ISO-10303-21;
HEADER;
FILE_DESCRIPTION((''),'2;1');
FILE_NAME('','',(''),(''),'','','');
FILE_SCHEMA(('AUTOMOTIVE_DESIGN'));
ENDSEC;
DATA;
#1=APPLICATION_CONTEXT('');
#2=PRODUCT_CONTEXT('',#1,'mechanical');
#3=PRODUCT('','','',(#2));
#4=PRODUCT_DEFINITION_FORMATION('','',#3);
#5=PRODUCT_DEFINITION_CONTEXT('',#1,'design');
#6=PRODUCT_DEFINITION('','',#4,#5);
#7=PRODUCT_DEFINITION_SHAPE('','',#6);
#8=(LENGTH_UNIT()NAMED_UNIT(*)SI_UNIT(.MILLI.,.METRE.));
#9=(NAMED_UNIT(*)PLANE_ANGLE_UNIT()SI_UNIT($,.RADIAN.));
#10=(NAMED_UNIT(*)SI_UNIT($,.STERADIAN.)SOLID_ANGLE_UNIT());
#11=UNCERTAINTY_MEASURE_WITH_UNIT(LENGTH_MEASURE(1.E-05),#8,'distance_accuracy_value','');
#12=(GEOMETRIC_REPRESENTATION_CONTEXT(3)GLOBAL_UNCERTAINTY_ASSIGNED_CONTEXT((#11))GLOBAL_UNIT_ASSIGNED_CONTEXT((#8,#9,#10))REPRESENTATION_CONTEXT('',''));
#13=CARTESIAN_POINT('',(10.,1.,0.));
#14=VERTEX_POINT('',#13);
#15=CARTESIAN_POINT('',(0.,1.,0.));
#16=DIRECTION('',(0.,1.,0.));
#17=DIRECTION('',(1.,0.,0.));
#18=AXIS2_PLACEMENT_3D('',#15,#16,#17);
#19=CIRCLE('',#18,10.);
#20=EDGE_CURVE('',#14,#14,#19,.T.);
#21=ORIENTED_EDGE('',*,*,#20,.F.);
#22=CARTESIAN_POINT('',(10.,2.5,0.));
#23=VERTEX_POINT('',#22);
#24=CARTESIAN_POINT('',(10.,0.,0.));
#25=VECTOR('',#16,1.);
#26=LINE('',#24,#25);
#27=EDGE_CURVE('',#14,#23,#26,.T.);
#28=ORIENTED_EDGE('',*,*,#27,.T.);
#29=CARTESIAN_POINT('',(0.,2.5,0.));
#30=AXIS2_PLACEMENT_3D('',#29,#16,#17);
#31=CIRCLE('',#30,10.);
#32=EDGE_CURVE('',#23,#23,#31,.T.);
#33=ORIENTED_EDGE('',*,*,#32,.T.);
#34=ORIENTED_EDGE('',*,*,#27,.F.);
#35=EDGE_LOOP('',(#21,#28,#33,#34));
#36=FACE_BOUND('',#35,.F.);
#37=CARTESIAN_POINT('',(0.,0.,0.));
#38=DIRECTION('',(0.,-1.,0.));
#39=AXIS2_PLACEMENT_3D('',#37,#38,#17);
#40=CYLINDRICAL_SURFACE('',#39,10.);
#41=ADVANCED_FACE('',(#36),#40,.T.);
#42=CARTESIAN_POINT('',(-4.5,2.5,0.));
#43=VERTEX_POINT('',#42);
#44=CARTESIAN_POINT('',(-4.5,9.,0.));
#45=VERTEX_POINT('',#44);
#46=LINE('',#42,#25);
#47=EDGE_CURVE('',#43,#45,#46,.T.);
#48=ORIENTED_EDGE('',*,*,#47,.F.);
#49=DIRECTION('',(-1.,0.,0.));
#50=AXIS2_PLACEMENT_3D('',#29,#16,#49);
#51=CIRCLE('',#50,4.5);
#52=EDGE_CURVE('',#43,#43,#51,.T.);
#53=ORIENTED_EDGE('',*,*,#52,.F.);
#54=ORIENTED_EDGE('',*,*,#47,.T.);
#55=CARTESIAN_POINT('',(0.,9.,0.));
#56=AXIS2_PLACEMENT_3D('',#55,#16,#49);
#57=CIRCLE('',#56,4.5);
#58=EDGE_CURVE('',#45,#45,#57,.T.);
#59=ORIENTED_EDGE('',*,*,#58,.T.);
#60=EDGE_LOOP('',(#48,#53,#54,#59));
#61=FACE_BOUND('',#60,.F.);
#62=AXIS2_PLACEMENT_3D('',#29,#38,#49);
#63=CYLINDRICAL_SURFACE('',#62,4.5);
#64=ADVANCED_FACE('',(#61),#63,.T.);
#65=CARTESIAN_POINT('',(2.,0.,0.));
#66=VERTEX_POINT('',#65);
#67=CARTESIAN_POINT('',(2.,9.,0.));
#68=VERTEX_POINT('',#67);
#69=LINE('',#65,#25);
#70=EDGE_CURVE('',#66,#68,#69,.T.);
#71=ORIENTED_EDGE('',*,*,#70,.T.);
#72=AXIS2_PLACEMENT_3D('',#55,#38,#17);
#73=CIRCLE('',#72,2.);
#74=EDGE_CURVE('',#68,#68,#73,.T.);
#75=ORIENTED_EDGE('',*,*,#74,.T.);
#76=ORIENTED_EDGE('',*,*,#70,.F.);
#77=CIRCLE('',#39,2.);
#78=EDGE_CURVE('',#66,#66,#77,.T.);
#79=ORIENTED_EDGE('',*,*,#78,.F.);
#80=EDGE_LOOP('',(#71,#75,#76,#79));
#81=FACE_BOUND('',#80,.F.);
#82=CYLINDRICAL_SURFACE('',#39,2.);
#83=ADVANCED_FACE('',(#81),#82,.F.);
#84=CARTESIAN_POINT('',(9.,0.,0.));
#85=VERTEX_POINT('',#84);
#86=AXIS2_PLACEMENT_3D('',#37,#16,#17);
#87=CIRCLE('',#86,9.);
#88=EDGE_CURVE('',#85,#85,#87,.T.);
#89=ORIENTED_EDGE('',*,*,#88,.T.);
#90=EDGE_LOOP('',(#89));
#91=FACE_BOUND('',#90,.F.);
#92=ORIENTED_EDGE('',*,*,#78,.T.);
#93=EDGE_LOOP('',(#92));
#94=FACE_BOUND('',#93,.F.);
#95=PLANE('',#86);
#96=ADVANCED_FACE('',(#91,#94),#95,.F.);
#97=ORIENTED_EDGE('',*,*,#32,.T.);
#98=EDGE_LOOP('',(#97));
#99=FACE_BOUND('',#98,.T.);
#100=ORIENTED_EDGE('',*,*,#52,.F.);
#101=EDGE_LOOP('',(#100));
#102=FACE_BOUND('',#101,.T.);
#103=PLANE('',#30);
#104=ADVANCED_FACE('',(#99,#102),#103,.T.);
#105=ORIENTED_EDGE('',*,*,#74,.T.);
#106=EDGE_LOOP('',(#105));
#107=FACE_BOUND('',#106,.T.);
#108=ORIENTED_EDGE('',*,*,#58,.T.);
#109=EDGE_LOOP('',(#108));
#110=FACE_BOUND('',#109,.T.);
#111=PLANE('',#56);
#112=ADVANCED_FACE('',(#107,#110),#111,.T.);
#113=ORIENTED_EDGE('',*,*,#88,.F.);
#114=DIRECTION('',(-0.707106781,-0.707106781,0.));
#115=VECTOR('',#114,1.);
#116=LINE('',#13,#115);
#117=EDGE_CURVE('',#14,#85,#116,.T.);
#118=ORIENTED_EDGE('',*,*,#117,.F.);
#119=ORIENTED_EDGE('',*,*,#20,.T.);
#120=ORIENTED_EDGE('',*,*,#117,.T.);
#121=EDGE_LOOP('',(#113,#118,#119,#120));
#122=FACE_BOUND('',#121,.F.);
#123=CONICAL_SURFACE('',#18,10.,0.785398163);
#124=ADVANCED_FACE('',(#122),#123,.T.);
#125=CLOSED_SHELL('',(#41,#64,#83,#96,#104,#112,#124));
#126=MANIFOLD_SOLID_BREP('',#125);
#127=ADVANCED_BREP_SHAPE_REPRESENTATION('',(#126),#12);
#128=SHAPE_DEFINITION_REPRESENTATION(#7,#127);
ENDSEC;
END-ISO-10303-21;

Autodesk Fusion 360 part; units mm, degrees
sketch "スケッチ1" plane through (0, 0, 0) normal (0, 1, 0) x (1, 0, 0)
  circle A0 centre (0, 0) radius 10
  dimension "d1" = 20
extrude "押し出し1" add sketch "スケッチ1" along normal blind 2.5
sketch "スケッチ2" plane through (0, 2.5, 0) normal (0, 1, 0) x (-1, 0, 0)
  circle A0 centre (0, 0) radius 10
  circle A1 centre (0, 0) radius 4.5
  dimension "d4" = 9
extrude "押し出し2" add sketch "スケッチ2" along normal blind 6.5 contours A1
sketch "スケッチ4" plane through (0, 0, 0) normal (0, -1, 0) x (1, 0, 0)
  circle A0 centre (0, 0) radius 2
  circle A1 centre (0, 0) radius 10
  dimension "d9" = 4
extrude "押し出し3" cut sketch "スケッチ4" against normal blind 16 contours A0
sketch "スケッチ5" plane through (0, 0, 0) normal (0, 0, 1) x (1, 0, 0)
  line L0 (10, 0) -> (10, 1)
  line L1 (10, 1) -> (9, 0)
  line L2 (9, 0) -> (10, 0)
revolve "回転2" cut sketch "スケッチ5" angle 360 about axis through (0, 1.75, 0) along (0, 1, 0)
